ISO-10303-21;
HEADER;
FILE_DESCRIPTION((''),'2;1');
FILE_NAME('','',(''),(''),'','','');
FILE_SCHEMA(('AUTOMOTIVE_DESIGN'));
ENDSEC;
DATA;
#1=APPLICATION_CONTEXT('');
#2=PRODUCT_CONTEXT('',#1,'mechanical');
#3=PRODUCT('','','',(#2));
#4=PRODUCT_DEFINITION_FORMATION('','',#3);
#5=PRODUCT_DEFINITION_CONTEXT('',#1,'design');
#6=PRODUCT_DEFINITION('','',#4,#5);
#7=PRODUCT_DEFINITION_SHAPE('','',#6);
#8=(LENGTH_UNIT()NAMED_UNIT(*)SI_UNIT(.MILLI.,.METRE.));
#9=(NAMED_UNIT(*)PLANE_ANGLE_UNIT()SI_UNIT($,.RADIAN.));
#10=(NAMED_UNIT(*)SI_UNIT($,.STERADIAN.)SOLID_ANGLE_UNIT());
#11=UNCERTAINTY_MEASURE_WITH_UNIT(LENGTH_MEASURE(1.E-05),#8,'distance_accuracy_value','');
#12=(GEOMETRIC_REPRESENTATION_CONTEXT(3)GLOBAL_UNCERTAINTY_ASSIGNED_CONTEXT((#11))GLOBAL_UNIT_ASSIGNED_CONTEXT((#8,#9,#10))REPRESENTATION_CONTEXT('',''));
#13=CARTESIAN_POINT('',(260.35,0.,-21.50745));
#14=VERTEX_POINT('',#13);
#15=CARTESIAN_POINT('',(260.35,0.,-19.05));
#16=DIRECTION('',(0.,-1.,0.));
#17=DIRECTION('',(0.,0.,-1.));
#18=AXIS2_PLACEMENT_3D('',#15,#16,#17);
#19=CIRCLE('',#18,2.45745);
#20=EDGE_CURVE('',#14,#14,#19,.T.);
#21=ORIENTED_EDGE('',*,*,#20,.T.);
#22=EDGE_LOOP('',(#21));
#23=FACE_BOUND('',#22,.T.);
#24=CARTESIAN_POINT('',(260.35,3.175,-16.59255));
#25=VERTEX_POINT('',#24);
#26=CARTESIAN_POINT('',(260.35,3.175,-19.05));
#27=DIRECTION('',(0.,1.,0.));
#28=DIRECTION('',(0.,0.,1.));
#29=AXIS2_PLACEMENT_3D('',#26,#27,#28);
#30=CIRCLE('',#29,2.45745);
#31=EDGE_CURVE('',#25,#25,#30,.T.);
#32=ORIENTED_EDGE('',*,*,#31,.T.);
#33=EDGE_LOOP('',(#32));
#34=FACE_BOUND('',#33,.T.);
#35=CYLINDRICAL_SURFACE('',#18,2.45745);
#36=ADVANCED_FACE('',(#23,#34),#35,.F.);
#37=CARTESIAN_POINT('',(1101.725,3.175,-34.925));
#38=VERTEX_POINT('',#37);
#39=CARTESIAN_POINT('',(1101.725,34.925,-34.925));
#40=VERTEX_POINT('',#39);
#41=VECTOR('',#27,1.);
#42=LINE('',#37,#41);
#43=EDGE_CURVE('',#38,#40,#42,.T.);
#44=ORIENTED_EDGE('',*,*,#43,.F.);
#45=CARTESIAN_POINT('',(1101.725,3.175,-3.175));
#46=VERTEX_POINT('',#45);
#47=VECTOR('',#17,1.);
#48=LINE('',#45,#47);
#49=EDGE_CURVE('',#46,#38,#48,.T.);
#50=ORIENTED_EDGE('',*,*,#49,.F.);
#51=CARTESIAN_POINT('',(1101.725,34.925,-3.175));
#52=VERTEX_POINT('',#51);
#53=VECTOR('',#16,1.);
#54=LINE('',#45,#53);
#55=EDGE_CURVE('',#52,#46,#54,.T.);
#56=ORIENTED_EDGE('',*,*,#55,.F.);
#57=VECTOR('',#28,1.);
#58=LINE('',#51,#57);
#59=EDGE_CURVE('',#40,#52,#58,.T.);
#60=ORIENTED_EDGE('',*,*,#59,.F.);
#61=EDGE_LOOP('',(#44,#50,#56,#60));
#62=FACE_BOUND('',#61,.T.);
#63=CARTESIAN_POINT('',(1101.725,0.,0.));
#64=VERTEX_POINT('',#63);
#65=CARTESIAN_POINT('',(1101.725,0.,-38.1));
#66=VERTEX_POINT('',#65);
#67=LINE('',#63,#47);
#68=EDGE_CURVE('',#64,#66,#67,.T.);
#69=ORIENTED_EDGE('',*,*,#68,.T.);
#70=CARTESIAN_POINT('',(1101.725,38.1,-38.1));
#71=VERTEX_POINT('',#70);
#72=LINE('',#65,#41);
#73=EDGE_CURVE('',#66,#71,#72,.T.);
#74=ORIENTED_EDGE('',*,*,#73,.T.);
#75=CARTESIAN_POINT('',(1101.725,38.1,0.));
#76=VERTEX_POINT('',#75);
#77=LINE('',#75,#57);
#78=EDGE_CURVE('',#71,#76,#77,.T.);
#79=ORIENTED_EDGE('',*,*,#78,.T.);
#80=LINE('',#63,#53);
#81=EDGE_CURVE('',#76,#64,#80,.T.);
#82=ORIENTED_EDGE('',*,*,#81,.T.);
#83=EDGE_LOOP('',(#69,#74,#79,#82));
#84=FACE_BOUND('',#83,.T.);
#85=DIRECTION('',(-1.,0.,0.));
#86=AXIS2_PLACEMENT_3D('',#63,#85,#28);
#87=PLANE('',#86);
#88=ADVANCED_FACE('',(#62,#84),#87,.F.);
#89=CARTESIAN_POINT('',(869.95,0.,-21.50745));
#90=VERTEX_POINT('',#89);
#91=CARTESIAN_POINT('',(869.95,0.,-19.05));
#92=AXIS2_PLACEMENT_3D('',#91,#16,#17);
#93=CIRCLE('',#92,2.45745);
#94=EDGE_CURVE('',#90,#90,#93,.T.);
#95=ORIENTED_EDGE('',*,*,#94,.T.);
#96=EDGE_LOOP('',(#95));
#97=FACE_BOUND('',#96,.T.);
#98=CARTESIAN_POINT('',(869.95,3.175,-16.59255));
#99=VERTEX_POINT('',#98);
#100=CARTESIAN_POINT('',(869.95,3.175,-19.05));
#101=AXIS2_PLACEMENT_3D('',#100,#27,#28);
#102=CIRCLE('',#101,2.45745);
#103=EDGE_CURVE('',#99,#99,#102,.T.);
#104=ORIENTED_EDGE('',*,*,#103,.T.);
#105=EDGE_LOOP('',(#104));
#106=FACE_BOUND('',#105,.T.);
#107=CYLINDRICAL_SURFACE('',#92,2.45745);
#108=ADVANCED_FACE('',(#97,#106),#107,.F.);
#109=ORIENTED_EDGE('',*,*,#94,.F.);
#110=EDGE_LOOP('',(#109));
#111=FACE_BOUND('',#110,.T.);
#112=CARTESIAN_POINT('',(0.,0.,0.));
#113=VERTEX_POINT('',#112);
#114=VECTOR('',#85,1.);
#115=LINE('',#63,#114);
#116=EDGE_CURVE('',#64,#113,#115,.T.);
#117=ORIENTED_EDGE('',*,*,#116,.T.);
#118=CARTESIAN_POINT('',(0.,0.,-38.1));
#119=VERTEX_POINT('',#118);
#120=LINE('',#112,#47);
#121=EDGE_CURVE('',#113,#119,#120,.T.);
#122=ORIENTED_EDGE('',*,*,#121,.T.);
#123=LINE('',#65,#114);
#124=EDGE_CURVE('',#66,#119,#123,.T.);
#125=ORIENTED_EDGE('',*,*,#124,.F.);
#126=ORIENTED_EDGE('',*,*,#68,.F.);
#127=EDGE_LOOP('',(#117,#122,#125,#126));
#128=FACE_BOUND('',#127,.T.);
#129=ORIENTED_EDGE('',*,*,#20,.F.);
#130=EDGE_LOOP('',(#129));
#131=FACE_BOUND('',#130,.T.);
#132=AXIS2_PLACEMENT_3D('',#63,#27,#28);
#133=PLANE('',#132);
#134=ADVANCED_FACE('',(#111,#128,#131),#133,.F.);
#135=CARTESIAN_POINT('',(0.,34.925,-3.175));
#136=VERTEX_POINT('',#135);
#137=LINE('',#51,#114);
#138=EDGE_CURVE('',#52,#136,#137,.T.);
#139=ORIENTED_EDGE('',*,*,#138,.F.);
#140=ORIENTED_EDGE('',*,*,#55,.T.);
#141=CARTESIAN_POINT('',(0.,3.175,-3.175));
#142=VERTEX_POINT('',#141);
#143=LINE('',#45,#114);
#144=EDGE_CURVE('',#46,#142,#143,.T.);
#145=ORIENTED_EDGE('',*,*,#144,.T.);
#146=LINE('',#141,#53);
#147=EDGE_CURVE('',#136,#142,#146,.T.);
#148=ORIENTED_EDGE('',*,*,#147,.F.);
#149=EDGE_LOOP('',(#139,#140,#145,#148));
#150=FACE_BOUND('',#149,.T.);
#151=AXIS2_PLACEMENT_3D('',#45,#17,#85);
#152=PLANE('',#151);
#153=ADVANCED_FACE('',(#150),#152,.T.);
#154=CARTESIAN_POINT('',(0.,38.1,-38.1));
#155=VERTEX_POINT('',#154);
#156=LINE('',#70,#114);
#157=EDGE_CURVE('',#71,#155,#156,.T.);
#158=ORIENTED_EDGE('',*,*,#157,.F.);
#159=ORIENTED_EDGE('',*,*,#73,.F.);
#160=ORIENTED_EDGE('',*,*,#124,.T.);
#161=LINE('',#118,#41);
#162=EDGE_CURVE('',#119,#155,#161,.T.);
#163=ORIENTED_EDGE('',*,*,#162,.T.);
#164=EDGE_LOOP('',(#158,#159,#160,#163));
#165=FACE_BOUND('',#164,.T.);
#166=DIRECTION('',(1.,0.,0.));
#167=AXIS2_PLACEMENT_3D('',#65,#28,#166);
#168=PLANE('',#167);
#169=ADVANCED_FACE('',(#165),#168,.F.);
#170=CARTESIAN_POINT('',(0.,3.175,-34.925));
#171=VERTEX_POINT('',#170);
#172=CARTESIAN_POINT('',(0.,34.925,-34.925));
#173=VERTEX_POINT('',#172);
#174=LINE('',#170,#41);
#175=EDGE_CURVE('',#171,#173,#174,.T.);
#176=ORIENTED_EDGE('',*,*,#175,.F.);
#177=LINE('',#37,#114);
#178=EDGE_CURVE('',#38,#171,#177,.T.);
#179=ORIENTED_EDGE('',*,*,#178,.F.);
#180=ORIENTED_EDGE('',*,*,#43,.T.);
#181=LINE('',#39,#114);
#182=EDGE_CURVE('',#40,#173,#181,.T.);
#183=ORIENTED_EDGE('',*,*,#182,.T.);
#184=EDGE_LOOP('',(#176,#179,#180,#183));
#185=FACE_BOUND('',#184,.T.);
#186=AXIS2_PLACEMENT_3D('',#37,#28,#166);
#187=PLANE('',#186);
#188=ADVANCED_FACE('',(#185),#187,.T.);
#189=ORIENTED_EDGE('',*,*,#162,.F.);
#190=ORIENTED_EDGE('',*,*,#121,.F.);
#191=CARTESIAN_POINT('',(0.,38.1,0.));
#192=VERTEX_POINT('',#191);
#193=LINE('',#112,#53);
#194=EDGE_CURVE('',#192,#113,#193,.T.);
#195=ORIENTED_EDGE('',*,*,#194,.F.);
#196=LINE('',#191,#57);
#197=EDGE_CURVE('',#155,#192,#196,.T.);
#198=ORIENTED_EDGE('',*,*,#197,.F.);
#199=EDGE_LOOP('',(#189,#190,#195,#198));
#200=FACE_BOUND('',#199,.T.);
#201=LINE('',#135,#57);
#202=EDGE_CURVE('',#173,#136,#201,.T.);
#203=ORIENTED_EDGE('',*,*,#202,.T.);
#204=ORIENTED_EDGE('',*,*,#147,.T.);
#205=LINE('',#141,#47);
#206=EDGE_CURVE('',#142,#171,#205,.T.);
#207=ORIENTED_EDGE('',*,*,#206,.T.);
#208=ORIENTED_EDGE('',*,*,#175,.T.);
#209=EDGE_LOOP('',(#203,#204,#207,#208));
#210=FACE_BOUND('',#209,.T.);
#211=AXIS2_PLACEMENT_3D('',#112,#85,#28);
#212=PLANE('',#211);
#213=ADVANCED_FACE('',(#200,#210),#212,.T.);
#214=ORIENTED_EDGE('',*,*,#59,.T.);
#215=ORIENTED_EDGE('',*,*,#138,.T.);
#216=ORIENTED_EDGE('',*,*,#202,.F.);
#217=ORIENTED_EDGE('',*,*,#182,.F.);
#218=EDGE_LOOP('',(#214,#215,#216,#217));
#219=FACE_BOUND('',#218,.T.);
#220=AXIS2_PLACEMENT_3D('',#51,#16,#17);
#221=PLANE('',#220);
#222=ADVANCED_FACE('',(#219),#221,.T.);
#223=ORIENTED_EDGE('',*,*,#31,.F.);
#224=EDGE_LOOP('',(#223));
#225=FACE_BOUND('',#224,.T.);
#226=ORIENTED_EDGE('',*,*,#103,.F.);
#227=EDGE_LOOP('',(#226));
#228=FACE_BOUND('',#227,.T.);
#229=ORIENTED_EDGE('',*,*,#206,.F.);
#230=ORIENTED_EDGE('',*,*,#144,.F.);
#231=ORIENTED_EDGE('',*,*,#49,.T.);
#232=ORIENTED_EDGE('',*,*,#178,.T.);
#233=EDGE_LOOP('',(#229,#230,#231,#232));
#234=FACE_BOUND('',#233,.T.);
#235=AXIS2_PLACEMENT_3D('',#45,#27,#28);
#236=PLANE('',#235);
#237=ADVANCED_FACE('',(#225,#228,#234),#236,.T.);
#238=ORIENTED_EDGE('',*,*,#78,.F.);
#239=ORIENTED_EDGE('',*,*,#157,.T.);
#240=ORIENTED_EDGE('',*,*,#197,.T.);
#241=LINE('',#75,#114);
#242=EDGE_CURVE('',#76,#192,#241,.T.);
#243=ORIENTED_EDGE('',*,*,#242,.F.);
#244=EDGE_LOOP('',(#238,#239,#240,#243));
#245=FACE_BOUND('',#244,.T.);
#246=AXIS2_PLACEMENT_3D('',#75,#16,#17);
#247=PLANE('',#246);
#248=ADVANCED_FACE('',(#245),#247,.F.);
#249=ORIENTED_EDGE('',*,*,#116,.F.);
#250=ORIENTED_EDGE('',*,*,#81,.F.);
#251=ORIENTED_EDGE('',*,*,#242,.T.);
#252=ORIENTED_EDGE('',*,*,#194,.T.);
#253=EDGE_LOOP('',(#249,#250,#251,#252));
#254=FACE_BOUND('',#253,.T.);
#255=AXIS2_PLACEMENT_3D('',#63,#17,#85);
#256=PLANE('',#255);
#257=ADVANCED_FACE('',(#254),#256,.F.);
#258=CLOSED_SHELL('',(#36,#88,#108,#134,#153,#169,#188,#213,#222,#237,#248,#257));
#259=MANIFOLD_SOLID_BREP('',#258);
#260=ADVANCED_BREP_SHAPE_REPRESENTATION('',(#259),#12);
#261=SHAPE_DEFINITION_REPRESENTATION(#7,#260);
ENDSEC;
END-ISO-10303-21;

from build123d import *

# Parameters (mm, degrees)
SKETCH1_W                        = 38.1
SKETCH1_H                        = 38.1
SKETCH1_W_2                      = 31.75
SKETCH1_H_2                      = 31.75
BOSS_EXTRUDE1_DEPTH              = 1101.725
F_10_0_1935_DIAMETER_HOLE1_D     = 4.9149
F_10_0_1935_DIAMETER_HOLE1_DEPTH = 3.175


with BuildPart() as part:
    # Sketch1 → Boss-Extrude1 (new body)
    with BuildSketch(Plane(origin=(0, 0, 0), x_dir=(0, 0, -1), z_dir=(1, 0, 0))):
        with Locations((19.05, 19.05)):
            Rectangle(SKETCH1_W, SKETCH1_H)
        with Locations((19.05, 19.05)):
            Rectangle(SKETCH1_W_2, SKETCH1_H_2, mode=Mode.SUBTRACT)
    extrude(amount=BOSS_EXTRUDE1_DEPTH)

    # #10 (0.1935) Diameter Hole1
    with Locations(Plane.XZ):
        with Locations((260.35, -19.05), (869.95, -19.05)):
            Hole(F_10_0_1935_DIAMETER_HOLE1_D / 2, depth=F_10_0_1935_DIAMETER_HOLE1_DEPTH)


solid = part.part
